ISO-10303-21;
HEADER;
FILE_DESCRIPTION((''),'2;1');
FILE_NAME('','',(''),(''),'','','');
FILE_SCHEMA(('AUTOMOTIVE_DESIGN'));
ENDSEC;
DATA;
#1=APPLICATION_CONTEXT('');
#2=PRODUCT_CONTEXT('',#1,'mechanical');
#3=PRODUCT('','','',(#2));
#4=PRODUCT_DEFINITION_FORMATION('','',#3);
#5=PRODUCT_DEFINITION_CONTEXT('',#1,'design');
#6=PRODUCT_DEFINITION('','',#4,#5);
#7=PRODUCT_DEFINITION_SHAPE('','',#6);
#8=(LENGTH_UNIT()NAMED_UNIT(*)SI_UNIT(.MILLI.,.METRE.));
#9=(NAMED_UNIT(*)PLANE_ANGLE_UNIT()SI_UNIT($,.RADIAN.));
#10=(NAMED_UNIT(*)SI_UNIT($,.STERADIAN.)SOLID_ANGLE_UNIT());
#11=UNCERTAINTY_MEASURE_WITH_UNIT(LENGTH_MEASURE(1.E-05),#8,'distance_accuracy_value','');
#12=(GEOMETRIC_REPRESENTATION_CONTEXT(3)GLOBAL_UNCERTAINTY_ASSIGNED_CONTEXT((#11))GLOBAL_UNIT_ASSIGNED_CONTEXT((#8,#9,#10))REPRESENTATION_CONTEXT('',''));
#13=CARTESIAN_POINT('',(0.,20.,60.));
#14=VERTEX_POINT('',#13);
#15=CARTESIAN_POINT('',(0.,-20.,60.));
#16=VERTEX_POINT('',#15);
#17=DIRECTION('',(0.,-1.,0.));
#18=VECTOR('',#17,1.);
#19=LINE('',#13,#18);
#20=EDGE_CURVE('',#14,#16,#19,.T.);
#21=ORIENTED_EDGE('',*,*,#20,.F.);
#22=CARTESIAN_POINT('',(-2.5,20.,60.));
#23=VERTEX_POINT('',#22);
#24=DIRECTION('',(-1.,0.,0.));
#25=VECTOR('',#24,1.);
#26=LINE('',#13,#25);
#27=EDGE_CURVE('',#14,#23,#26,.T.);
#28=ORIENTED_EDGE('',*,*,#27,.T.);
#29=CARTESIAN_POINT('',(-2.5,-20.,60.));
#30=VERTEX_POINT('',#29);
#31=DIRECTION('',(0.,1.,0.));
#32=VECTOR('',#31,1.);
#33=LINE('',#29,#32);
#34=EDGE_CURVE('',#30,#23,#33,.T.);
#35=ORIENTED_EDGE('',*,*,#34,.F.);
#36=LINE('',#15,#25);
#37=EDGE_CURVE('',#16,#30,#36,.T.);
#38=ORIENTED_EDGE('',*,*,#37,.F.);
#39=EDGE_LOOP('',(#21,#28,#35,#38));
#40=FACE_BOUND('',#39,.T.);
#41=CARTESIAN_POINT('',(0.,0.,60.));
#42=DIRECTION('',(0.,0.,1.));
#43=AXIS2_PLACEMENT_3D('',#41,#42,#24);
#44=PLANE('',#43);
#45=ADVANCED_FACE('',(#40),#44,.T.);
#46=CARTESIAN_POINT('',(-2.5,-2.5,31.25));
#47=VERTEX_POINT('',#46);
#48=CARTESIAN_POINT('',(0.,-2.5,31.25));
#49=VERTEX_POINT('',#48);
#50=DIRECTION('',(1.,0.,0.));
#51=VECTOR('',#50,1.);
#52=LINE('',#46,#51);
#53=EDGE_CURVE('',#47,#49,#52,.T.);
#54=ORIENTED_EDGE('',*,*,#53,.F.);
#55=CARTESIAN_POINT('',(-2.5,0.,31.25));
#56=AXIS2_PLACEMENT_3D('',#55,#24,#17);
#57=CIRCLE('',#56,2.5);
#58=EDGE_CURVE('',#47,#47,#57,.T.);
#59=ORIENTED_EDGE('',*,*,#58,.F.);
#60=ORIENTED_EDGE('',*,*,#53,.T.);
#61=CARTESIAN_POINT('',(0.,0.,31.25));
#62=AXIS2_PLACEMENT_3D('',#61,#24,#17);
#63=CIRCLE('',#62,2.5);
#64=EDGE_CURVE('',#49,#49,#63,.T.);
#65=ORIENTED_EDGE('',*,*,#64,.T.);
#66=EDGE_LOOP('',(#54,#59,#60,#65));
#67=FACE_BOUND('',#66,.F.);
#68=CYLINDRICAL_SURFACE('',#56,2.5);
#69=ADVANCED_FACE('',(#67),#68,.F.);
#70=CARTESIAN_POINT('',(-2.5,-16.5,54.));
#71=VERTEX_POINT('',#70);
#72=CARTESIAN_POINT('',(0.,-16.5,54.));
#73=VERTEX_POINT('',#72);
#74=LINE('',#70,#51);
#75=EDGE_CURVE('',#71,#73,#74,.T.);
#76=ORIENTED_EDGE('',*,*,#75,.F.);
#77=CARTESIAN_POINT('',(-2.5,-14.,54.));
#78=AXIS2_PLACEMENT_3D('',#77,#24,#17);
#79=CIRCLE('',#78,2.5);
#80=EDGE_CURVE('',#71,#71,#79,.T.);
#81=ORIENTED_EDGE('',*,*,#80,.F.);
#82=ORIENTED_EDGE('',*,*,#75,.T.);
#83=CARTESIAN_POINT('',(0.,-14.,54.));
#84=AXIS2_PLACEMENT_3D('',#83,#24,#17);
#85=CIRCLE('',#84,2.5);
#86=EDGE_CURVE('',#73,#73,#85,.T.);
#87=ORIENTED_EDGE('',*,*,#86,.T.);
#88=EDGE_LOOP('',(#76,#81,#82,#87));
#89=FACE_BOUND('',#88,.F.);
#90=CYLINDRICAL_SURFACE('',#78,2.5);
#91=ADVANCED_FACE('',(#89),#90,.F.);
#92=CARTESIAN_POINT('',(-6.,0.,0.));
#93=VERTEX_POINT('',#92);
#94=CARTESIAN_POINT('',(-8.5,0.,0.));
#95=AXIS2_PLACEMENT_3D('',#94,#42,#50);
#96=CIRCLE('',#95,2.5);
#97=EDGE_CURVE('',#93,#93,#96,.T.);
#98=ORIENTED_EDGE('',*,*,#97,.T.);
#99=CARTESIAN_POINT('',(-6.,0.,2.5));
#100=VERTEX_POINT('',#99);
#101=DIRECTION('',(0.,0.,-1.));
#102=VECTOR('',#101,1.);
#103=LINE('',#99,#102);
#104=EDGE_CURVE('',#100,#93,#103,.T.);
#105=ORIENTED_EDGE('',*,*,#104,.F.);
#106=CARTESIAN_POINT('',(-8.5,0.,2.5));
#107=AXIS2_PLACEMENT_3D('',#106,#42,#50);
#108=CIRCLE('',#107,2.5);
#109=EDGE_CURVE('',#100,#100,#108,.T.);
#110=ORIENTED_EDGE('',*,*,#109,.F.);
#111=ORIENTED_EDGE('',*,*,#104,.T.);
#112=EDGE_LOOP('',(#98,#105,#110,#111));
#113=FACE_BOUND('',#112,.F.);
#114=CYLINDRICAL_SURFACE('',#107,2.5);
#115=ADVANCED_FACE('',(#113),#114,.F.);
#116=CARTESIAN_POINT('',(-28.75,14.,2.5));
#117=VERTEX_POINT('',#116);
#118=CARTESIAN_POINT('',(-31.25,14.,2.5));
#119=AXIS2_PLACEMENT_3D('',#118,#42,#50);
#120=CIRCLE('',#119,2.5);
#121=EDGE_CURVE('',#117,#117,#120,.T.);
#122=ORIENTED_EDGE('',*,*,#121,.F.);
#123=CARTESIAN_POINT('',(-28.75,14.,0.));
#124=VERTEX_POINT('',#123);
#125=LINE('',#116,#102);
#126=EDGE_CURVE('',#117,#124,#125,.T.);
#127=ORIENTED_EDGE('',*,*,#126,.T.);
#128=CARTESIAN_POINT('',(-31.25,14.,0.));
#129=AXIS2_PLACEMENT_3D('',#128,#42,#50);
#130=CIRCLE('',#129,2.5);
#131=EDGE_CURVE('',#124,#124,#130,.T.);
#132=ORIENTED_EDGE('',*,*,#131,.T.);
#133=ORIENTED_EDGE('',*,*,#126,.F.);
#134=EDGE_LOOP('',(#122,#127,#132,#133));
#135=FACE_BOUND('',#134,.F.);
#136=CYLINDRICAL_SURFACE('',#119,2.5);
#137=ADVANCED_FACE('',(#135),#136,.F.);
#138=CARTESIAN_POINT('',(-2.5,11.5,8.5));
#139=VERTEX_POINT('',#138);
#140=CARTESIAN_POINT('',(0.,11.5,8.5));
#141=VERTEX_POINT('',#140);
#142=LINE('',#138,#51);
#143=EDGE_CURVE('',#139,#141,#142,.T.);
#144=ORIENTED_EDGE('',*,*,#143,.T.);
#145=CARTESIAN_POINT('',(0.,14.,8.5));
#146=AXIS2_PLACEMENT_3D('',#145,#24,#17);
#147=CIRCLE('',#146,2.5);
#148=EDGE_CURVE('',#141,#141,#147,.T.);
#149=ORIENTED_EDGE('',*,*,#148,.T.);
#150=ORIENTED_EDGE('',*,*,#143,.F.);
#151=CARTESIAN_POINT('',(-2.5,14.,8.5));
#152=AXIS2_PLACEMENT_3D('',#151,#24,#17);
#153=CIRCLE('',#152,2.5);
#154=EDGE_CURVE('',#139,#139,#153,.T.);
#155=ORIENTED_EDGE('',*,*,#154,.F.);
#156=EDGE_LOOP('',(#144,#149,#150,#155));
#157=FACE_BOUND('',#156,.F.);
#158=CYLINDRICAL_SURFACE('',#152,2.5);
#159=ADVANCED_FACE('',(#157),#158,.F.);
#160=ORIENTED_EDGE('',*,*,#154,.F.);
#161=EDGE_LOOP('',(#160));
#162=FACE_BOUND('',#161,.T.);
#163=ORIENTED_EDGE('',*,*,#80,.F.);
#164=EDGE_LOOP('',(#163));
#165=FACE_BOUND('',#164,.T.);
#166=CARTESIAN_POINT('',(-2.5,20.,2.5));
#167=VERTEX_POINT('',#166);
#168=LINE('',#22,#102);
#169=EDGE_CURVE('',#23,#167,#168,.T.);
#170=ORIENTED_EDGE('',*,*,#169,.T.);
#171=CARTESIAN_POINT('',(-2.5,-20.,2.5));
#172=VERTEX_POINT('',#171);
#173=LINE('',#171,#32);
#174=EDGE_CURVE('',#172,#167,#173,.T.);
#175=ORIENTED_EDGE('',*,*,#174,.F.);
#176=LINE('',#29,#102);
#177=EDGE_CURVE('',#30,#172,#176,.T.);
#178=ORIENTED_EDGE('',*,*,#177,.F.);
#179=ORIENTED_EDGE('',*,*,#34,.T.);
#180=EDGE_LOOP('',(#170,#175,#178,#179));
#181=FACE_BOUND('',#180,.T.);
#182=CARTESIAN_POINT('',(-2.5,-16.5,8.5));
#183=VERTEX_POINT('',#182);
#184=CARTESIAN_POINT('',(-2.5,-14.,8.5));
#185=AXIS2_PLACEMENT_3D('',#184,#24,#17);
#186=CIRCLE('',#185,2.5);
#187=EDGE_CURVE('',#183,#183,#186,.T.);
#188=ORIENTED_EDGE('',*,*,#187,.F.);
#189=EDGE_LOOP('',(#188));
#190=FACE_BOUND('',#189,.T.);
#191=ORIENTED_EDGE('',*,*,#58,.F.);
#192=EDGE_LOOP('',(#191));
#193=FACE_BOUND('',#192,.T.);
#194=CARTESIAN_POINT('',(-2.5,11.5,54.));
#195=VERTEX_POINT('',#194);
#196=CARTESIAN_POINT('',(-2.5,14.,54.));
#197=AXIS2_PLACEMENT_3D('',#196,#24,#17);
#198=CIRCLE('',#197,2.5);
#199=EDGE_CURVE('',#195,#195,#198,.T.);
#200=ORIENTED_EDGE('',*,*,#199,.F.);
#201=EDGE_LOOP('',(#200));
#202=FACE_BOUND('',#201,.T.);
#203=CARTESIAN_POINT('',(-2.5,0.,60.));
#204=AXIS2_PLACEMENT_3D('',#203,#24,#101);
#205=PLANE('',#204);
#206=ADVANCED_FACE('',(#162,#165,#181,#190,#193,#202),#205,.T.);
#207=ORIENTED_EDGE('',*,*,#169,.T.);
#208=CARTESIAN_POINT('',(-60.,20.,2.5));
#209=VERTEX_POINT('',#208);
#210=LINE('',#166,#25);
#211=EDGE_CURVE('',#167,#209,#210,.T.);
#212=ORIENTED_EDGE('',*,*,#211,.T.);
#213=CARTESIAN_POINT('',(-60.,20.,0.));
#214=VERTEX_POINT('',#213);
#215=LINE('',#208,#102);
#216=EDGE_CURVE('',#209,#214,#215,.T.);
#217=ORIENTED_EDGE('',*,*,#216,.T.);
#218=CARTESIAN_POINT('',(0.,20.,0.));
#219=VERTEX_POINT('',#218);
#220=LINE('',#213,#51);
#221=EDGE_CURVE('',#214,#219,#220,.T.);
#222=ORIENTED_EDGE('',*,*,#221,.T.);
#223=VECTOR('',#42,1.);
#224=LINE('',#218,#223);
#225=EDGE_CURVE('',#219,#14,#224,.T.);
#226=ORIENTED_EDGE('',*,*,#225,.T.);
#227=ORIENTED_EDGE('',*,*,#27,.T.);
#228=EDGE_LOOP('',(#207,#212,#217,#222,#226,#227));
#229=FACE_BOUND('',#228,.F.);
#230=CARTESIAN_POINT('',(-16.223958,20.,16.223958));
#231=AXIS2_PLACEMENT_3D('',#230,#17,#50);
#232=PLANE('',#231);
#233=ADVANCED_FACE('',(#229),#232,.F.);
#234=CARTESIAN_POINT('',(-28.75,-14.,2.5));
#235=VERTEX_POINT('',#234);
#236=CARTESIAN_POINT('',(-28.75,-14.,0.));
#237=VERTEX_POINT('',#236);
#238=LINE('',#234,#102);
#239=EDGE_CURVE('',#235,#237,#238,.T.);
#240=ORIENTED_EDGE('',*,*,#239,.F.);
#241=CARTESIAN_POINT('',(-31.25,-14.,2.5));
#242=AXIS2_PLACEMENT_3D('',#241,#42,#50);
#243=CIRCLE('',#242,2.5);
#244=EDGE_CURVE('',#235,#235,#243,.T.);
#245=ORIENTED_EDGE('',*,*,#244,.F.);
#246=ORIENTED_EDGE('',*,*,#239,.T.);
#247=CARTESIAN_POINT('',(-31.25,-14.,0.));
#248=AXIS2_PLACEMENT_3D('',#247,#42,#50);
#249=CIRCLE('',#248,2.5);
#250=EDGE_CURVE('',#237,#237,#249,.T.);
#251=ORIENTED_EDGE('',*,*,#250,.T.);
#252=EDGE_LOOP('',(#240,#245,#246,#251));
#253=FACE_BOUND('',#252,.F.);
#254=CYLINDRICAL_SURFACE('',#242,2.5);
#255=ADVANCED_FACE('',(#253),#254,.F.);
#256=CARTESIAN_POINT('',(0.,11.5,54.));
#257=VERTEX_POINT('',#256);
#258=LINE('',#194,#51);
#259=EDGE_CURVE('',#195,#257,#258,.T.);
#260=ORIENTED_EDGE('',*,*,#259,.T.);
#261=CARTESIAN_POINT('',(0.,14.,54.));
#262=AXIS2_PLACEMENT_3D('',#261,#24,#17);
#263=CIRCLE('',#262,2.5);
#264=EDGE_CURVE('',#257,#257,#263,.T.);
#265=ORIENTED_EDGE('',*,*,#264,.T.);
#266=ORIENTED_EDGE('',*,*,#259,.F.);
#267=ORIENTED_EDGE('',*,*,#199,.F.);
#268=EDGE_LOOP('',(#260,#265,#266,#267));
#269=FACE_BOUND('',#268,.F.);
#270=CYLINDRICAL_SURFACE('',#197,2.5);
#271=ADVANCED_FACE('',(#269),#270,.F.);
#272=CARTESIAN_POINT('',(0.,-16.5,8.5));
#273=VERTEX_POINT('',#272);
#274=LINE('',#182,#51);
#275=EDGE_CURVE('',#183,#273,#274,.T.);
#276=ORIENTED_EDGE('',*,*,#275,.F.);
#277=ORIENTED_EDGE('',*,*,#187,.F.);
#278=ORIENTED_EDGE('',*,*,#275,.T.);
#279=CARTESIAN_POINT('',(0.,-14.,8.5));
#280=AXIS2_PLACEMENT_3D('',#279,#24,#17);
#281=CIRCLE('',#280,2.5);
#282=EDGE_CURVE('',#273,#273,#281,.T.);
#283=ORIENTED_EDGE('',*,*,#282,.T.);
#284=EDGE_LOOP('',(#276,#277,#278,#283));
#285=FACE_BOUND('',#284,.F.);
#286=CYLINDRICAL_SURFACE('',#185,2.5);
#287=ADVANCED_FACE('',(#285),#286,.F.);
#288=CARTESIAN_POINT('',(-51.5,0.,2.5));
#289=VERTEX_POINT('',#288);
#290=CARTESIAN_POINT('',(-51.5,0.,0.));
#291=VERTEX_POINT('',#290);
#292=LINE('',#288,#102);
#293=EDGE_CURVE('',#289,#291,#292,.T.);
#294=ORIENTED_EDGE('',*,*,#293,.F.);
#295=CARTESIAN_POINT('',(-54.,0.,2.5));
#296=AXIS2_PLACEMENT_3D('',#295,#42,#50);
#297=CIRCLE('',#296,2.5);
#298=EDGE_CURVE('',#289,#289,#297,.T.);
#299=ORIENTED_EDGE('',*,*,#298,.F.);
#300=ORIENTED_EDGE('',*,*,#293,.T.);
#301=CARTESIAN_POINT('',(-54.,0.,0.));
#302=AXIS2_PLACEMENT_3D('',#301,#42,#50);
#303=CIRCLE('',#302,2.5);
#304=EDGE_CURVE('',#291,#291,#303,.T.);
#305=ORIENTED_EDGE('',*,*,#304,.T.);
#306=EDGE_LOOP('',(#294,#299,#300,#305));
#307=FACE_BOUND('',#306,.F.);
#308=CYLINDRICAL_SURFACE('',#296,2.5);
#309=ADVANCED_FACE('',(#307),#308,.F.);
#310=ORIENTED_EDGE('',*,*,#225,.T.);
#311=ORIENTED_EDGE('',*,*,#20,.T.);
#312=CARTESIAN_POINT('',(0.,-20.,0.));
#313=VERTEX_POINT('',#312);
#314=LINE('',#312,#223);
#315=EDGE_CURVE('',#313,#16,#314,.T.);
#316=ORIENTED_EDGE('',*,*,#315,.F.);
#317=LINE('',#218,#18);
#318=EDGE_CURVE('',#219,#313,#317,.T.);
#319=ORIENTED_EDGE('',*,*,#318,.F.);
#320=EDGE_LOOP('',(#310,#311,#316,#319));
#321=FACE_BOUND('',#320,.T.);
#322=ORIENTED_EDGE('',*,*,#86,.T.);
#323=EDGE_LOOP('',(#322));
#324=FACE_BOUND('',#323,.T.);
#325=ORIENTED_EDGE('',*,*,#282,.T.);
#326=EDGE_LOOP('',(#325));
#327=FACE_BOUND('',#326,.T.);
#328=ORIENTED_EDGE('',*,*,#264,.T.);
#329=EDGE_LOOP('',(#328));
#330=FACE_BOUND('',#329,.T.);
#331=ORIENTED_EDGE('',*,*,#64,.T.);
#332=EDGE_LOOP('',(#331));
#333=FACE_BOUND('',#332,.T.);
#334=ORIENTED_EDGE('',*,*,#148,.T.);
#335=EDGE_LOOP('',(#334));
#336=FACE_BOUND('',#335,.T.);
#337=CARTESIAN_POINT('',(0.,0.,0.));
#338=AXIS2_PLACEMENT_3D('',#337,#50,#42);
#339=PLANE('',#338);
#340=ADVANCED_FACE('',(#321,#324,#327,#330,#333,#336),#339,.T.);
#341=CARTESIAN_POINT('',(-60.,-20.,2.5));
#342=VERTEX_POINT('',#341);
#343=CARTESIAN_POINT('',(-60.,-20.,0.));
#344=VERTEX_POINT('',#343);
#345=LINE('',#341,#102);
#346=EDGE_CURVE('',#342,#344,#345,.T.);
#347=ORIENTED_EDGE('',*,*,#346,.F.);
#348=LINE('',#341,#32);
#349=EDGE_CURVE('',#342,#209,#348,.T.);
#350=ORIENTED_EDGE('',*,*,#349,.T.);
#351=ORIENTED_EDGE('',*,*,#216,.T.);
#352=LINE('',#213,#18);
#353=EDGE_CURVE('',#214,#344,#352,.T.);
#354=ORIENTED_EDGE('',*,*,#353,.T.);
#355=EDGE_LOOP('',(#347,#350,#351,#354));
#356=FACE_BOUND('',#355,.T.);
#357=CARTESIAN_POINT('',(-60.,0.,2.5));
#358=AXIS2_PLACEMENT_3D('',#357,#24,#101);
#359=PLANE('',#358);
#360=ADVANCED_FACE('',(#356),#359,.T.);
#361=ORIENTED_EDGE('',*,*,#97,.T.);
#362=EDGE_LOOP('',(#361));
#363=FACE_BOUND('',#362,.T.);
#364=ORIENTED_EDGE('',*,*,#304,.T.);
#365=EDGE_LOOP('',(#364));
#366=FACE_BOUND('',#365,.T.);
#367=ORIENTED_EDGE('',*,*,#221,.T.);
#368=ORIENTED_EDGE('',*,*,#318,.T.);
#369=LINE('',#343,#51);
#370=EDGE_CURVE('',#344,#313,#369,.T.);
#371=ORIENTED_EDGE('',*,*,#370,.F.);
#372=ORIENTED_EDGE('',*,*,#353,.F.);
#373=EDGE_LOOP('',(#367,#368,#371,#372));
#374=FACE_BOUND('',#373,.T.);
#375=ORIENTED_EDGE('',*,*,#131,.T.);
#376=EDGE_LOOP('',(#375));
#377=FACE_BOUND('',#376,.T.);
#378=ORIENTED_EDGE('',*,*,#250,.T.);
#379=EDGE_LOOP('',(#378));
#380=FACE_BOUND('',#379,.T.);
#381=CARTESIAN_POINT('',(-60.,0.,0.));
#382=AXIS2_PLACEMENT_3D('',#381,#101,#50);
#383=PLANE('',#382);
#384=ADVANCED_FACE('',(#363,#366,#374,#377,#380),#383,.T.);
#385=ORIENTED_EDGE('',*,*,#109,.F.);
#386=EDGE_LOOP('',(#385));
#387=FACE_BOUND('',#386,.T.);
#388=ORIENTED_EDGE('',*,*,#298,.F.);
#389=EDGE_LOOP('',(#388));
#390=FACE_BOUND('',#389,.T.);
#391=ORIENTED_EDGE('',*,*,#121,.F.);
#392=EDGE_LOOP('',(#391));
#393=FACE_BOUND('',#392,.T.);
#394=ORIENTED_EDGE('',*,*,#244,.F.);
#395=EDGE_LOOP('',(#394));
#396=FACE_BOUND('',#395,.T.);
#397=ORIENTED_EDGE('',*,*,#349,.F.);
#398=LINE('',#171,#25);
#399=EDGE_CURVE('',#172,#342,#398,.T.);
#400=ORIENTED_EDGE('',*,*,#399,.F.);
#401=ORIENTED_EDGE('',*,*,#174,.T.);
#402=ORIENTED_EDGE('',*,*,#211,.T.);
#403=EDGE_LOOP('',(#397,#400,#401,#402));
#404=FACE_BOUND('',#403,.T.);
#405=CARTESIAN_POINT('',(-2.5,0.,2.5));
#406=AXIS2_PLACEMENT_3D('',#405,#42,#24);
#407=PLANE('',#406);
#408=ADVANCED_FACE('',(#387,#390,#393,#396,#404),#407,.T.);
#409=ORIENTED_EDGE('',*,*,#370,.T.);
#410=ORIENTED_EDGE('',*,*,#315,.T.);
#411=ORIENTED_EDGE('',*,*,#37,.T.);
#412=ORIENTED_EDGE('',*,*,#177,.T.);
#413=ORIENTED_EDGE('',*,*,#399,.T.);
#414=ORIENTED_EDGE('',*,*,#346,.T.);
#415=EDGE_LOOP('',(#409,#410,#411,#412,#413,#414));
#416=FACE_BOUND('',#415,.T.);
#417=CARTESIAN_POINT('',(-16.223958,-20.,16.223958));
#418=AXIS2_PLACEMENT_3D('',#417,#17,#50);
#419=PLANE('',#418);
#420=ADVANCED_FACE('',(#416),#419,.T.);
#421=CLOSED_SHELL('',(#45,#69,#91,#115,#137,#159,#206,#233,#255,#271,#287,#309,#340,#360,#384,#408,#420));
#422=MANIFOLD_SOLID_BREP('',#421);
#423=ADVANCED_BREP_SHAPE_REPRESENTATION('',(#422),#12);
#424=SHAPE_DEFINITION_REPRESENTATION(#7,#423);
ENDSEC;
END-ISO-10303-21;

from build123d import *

# Parameters (mm, degrees)
F1_DEPTH = 20
F2_R     = 2.5
F3_DEPTH = 25
F4_R     = 2.5
F5_DEPTH = 25


with BuildPart() as f1:
    # F0 (on Front) → F1 (new body, symmetric)
    with BuildSketch(Plane.XZ):
        Polygon((-60, 2.5), (-60, 0), (0, 0), (0, 60), (-2.5, 60), (-2.5, 2.5), align=None)
    extrude(amount=F1_DEPTH, both=True)

    # F2 (on face) → F3 (cut)
    with BuildSketch(Plane(origin=(-2.5, 0, 0), x_dir=(0, -1, 0), z_dir=(-1, 0, 0))):
        with Locations((0, 31.25)):
            Circle(F2_R)
        with Locations((-14, 8.5)):
            Circle(F2_R)
        with Locations((-14, 54)):
            Circle(F2_R)
        with Locations((14, 54)):
            Circle(F2_R)
        with Locations((14, 8.5)):
            Circle(F2_R)
    extrude(amount=-F3_DEPTH, mode=Mode.SUBTRACT)

    # F4 (on face) → F5 (cut)
    with BuildSketch(Plane.XY.offset(2.5)):
        with Locations((-54, 0)):
            Circle(F4_R)
        with Locations((-31.25, 14)):
            Circle(F4_R)
        with Locations((-31.25, -14)):
            Circle(F4_R)
        with Locations((-8.5, 0)):
            Circle(F4_R)
    extrude(amount=-F5_DEPTH, mode=Mode.SUBTRACT)


solid = f1.part
